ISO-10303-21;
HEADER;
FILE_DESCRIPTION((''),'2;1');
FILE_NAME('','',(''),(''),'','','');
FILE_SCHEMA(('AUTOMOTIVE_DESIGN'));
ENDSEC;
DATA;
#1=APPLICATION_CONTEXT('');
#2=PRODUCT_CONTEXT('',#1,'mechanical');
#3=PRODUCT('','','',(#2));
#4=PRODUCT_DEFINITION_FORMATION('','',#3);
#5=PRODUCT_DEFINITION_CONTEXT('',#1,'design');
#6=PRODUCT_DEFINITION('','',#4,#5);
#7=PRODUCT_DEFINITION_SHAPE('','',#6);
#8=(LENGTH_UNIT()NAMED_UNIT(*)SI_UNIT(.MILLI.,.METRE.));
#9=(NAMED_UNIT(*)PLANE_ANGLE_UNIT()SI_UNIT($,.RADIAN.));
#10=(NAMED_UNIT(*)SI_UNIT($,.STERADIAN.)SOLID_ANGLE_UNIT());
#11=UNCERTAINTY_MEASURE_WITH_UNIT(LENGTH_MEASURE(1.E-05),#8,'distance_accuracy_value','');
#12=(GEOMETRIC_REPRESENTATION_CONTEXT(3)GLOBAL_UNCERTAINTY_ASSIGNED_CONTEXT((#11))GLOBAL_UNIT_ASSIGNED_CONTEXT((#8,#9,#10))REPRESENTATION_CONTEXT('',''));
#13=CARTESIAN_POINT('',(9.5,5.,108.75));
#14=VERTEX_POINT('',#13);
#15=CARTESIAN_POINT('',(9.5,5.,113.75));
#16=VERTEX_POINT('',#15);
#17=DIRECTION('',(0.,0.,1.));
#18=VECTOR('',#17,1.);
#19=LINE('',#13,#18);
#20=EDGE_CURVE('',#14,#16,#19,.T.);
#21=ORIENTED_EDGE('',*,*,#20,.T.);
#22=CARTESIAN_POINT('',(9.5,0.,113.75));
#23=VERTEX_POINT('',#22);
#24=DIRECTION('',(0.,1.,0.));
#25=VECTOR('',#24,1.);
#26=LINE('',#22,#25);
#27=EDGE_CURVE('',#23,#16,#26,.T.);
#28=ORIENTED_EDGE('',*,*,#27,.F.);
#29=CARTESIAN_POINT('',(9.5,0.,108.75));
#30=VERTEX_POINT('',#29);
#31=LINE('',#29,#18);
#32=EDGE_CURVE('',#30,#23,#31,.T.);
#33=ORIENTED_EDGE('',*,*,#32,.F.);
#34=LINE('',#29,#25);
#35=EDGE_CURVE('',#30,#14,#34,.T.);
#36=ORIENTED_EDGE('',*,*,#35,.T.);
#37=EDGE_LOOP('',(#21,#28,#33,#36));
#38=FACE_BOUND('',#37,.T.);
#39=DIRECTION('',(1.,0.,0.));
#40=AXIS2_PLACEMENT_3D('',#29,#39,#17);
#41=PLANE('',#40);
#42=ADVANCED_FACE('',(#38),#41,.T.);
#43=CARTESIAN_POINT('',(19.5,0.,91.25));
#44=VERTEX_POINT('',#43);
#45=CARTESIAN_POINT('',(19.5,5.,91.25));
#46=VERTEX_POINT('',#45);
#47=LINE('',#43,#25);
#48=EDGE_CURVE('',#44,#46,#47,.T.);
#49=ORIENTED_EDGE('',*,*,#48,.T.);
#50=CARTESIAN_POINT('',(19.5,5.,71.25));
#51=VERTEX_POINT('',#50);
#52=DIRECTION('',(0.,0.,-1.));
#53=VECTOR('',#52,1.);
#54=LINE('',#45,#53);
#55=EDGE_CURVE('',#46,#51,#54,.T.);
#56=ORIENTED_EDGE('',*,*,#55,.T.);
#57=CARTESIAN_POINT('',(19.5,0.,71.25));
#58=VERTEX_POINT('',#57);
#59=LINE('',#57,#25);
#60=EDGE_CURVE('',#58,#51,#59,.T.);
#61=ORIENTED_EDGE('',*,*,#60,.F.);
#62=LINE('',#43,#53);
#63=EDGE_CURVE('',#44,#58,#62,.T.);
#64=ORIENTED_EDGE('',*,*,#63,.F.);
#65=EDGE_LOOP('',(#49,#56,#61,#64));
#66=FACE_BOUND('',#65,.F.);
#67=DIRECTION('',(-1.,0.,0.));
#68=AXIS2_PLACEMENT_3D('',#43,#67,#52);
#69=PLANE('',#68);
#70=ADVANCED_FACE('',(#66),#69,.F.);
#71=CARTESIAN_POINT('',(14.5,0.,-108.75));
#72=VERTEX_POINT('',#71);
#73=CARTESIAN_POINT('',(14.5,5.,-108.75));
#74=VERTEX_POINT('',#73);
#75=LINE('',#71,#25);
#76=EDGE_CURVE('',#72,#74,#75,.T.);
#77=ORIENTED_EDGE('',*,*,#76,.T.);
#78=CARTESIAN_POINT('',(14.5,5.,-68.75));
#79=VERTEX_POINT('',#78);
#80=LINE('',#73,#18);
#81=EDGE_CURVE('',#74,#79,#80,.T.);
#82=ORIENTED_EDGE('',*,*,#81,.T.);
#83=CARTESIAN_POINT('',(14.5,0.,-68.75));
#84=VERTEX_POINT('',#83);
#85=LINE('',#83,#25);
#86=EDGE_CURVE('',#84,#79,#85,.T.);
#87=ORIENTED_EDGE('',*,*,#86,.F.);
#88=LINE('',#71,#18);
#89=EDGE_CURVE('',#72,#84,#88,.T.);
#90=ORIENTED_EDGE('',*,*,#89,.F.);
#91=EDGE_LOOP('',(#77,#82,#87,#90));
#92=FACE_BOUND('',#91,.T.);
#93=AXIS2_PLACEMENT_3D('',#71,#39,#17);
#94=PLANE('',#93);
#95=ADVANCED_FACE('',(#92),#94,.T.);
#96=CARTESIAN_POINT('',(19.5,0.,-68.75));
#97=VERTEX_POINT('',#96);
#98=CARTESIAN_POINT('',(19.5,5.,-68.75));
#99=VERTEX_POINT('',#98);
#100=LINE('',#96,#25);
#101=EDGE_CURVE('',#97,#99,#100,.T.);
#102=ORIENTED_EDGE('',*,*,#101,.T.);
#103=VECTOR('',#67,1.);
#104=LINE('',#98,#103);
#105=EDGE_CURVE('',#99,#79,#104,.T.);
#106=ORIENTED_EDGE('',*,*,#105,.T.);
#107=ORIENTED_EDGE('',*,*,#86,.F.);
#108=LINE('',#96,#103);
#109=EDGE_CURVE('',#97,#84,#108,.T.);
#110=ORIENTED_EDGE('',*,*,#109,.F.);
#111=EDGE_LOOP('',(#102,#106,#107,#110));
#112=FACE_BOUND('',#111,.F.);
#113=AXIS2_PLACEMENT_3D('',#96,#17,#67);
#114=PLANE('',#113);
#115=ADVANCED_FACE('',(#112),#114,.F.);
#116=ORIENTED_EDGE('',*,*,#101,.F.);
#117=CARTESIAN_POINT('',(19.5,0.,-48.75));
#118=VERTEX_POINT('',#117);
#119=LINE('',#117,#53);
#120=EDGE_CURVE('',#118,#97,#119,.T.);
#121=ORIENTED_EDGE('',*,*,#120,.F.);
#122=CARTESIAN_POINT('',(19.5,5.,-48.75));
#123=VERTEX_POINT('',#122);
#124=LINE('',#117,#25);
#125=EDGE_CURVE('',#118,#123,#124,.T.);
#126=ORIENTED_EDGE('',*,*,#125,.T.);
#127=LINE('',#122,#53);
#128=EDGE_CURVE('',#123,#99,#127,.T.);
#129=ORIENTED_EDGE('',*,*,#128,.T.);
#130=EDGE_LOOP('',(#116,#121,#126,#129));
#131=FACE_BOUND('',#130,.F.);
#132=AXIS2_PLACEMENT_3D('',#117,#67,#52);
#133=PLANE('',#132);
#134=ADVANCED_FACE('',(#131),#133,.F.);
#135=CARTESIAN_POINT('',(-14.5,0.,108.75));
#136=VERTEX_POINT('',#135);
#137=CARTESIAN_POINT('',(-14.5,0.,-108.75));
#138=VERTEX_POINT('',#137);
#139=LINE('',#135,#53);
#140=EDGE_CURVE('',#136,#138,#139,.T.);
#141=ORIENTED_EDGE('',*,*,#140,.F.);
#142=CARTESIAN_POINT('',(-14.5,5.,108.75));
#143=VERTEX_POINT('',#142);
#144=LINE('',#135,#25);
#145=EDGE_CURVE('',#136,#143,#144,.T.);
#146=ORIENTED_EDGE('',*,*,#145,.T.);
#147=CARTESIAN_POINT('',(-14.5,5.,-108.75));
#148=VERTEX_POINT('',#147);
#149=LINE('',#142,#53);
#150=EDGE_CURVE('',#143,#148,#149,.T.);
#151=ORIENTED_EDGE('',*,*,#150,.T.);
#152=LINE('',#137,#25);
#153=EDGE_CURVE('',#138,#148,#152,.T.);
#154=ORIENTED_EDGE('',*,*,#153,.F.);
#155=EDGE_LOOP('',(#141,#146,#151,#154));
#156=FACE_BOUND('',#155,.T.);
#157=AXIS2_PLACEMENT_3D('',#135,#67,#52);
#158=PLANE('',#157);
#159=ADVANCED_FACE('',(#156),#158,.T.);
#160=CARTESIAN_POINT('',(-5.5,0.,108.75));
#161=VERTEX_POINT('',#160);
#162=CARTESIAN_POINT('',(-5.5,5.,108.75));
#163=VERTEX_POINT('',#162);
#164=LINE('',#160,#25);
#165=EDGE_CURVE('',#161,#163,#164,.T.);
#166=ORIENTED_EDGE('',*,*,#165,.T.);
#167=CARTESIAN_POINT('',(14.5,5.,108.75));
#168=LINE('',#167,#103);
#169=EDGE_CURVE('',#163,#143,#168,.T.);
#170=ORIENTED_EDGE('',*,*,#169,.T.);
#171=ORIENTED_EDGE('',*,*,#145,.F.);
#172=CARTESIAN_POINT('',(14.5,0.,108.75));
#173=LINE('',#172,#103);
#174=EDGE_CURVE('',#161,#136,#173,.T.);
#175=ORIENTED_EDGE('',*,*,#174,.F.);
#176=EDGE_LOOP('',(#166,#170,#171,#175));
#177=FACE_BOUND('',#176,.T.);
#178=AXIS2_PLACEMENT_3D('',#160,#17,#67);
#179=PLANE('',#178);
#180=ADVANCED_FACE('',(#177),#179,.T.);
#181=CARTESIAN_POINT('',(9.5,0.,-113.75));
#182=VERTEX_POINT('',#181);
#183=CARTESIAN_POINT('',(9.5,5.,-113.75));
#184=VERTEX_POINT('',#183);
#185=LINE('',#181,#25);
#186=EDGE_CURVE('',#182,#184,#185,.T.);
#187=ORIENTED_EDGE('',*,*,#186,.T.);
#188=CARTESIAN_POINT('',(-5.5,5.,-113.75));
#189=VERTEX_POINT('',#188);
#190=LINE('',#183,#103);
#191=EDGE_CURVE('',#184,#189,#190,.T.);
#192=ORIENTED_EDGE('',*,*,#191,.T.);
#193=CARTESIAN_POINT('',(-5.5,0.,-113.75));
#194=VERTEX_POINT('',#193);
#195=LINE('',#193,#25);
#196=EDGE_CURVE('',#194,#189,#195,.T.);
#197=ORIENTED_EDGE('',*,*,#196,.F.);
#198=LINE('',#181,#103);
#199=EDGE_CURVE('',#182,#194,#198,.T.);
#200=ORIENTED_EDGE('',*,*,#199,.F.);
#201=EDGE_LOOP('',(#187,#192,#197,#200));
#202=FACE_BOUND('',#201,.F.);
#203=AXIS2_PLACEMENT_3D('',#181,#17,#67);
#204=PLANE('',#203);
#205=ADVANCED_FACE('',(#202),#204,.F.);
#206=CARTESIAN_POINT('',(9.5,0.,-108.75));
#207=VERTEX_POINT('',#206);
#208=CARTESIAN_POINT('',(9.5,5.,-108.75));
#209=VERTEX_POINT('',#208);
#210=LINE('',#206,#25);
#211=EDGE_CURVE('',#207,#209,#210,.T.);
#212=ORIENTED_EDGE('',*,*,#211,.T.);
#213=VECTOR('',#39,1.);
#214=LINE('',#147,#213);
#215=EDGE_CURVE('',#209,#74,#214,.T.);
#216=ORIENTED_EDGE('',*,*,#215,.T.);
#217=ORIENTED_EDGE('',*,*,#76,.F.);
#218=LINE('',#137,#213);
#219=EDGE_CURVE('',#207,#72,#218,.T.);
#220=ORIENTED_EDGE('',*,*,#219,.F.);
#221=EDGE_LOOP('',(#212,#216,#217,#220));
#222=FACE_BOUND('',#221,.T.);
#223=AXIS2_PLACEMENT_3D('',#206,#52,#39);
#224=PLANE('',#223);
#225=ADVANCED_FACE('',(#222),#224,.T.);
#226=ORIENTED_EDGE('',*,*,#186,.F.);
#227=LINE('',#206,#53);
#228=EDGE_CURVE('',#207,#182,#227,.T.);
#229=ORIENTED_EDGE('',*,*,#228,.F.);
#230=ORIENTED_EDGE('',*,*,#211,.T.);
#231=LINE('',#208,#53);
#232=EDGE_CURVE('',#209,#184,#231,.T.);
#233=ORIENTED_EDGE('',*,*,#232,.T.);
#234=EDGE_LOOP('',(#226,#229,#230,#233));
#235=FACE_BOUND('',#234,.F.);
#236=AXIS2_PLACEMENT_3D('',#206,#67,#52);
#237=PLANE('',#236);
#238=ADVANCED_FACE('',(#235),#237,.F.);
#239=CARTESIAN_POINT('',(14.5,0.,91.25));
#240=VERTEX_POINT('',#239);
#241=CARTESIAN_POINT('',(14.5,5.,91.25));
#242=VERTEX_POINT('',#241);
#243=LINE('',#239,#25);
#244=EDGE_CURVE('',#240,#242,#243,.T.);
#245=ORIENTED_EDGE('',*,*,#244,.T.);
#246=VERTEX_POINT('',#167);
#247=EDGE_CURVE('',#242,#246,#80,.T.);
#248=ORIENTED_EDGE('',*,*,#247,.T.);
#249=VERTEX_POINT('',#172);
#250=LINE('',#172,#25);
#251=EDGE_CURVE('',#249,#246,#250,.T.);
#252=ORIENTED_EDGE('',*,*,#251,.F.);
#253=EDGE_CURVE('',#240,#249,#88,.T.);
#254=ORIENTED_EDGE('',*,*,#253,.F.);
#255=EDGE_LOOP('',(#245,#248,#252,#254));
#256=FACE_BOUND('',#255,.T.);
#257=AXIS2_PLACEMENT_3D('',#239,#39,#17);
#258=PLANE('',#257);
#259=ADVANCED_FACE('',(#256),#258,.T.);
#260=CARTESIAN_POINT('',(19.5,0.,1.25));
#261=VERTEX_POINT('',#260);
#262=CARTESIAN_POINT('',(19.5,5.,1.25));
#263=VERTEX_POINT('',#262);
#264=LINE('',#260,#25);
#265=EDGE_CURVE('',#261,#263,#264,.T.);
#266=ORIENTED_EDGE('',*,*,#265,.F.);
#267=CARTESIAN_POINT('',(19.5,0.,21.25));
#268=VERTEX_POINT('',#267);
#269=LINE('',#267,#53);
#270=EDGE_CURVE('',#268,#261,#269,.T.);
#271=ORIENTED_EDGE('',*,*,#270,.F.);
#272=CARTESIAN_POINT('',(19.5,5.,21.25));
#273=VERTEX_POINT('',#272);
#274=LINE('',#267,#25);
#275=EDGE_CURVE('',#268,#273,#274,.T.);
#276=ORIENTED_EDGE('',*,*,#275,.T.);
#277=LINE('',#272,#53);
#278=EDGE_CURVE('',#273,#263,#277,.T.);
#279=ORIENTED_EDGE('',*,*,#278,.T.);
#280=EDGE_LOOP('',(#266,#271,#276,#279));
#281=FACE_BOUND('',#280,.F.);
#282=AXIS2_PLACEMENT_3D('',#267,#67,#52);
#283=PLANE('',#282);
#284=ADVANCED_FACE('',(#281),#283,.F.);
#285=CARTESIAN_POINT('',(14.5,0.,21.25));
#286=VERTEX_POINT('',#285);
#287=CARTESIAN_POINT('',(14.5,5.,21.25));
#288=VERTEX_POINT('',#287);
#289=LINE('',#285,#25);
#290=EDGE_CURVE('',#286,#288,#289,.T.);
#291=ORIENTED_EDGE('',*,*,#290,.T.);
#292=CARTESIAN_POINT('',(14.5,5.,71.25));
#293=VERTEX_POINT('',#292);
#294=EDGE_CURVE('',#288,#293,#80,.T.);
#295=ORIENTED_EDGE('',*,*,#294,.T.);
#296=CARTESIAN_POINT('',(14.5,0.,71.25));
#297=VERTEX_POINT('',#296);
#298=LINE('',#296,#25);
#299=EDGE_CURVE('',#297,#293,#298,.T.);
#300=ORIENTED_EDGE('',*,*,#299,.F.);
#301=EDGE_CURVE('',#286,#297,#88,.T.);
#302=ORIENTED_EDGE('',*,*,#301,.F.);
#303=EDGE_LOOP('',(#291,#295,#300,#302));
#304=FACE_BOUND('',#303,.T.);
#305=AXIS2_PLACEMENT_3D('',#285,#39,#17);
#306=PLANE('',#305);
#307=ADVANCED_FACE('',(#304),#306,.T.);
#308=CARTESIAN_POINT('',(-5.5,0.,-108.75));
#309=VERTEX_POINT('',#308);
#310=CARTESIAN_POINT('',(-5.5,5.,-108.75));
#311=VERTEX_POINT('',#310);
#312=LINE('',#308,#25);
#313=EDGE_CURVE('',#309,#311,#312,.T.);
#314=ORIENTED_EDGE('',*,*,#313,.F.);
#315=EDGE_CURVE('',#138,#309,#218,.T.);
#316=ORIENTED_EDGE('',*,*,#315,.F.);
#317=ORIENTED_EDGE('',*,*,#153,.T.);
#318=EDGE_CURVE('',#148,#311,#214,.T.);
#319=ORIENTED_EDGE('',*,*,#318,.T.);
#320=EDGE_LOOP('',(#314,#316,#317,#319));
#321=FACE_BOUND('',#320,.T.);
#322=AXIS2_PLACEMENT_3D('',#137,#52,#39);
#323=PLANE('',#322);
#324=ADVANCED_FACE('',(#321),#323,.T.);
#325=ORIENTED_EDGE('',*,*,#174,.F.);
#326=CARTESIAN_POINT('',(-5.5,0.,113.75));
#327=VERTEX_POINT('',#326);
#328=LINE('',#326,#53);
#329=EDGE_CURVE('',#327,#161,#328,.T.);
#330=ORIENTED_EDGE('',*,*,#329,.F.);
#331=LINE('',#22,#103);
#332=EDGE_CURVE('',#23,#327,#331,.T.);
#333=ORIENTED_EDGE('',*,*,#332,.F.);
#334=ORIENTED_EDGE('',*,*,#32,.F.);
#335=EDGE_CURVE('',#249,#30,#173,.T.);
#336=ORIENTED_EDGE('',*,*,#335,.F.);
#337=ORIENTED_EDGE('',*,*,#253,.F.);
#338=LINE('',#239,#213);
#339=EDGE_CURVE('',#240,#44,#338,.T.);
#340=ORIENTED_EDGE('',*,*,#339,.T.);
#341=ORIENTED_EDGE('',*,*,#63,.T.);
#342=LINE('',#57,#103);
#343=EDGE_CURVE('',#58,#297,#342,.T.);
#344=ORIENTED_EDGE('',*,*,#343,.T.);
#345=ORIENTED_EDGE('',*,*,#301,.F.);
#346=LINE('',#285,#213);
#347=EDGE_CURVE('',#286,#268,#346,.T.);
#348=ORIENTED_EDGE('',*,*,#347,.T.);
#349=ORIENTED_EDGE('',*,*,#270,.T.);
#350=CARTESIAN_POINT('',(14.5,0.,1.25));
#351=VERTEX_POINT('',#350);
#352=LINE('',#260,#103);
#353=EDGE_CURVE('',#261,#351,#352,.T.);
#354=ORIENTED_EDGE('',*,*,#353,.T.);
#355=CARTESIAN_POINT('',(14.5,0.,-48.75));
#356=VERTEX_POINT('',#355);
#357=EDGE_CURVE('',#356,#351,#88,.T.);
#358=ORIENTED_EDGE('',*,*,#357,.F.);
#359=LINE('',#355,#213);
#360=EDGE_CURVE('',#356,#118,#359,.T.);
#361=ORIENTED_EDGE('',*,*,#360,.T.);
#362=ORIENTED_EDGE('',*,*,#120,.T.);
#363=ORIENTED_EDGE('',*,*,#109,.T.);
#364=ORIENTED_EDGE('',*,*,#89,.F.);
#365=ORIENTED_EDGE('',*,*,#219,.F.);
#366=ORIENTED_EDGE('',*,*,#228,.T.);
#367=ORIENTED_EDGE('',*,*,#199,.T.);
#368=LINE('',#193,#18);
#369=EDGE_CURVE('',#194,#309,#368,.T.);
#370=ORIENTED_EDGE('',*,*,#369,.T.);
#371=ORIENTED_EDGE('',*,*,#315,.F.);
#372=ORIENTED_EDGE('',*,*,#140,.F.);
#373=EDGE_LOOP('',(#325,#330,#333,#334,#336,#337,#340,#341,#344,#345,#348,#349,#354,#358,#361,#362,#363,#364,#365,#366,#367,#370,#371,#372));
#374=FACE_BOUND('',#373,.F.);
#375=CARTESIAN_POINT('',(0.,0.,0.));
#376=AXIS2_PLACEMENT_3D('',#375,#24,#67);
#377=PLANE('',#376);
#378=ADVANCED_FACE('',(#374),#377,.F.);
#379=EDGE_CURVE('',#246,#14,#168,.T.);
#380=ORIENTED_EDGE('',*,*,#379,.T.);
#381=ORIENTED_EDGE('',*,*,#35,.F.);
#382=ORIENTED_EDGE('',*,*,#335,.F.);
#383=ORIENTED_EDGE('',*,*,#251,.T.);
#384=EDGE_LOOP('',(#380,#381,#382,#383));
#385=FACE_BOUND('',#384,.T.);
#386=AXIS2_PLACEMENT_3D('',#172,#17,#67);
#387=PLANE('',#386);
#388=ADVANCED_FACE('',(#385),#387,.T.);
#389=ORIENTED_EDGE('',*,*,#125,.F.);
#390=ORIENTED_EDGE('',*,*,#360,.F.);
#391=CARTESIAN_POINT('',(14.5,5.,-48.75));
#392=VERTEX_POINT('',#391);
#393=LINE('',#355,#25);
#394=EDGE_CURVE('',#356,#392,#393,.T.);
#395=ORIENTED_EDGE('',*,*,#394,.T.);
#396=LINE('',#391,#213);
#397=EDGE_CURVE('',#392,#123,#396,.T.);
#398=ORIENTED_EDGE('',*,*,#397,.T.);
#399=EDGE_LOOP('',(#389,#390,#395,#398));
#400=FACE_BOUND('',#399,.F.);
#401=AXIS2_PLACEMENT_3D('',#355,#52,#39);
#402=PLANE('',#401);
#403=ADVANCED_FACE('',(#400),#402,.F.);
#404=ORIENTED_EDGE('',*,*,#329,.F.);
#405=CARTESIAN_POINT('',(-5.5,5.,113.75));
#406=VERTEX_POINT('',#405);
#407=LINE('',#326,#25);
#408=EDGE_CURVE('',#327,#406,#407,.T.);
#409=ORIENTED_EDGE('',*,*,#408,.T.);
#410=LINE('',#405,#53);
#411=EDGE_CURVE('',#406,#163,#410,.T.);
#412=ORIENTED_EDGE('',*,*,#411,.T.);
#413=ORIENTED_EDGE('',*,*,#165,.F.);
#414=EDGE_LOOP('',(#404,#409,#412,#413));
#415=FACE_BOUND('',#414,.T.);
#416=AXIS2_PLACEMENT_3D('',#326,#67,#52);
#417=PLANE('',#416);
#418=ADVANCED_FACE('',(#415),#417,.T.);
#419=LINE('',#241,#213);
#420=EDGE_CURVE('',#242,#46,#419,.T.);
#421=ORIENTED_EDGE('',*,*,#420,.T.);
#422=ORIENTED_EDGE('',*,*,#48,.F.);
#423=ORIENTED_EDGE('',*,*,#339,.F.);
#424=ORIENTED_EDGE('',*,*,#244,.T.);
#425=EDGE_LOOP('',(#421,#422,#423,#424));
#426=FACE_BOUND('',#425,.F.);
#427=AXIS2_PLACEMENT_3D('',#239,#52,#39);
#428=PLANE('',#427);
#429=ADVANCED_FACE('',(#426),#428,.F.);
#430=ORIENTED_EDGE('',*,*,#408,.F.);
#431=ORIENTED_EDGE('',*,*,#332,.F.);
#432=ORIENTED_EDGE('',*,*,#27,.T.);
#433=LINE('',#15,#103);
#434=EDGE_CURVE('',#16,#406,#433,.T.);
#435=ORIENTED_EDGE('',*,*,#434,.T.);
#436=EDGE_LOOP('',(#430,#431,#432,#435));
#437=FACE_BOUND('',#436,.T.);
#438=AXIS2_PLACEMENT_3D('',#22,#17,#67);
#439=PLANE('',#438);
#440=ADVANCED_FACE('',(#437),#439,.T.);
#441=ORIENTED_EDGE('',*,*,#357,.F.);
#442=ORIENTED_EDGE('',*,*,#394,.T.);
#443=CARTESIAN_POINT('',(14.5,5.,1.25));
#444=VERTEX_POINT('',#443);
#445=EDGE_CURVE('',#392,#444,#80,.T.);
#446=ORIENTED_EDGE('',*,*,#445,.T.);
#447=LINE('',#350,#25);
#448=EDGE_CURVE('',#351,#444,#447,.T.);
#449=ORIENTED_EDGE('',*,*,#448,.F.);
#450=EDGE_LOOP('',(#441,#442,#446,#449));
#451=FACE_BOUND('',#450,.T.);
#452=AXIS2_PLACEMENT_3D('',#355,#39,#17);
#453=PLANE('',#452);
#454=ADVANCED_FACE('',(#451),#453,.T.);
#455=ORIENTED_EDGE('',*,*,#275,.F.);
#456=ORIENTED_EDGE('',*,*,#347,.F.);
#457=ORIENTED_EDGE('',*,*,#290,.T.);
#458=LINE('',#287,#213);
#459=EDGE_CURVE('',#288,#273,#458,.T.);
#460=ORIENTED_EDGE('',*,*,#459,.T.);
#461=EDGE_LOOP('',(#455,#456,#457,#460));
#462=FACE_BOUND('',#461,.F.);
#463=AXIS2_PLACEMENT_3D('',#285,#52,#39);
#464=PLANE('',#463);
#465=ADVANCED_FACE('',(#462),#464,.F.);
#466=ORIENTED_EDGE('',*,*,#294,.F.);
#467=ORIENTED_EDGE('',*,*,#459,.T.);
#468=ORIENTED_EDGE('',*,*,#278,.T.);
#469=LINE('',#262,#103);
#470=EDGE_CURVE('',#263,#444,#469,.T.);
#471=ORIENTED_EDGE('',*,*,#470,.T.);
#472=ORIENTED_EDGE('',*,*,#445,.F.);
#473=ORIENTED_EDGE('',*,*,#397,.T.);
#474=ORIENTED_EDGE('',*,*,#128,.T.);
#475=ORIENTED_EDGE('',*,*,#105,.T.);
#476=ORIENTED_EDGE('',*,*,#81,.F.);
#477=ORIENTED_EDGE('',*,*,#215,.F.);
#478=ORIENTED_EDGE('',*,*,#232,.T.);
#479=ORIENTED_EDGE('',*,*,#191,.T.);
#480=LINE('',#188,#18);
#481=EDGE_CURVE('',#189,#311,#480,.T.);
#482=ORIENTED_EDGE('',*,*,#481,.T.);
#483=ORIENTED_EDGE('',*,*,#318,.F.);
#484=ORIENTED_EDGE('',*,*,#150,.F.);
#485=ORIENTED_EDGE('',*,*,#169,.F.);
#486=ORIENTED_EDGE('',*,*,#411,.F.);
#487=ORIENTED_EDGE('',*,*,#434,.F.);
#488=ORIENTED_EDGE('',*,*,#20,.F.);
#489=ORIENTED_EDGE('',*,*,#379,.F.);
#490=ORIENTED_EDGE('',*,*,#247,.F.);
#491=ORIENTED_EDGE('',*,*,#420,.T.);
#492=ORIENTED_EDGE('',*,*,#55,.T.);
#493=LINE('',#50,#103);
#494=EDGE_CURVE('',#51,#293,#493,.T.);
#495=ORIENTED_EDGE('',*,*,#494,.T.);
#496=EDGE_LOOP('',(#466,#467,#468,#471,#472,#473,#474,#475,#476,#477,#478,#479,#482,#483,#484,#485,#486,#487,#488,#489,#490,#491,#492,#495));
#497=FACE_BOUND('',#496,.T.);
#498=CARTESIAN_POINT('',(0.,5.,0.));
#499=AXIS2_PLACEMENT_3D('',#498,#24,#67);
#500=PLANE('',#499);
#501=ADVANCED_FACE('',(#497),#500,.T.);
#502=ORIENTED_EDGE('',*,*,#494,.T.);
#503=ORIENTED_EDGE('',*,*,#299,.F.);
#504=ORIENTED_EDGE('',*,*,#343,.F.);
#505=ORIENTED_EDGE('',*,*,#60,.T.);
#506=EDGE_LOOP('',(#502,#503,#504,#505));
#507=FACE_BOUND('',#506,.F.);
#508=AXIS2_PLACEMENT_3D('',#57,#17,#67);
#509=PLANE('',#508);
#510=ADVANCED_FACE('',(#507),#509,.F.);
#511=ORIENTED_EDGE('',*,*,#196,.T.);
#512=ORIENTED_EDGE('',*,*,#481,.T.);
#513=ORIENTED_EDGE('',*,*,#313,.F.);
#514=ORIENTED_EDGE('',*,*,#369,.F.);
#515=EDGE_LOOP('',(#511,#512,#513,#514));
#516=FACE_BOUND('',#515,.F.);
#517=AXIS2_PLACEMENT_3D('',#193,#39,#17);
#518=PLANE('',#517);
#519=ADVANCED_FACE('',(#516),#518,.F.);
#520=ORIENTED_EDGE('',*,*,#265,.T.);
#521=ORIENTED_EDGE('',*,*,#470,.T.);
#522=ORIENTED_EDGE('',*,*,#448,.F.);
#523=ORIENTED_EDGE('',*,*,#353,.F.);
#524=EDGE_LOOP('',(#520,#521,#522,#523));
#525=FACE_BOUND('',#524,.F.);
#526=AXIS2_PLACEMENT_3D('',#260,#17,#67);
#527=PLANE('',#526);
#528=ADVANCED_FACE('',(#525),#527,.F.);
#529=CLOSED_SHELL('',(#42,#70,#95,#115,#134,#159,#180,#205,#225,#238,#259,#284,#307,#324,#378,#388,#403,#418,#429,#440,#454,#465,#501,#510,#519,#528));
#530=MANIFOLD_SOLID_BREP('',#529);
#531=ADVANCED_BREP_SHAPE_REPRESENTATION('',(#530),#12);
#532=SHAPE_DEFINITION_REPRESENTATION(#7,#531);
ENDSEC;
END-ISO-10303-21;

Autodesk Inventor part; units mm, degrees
ref_plane "YZ Plane" through (0, 0, 0) normal (1, 0, 0) x (0, 1, 0)
ref_plane "XZ Plane" through (0, 0, 0) normal (0, 1, 0) x (-1, 0, 0)
ref_plane "XY Plane" through (0, 0, 0) normal (0, 0, 1) x (1, 0, 0)
sketch "Sketch1" plane through (0, 0, 0) normal (0, 1, 0) x (-1, 0, 0)
  line L0 (-14.5, 108.75) -> (14.5, 108.75)
  line L1 (14.5, 108.75) -> (14.5, -108.75)
  line L2 (14.5, -108.75) -> (-14.5, -108.75)
  line L3 (-14.5, -108.75) -> (-14.5, 108.75)
  line L4 (-14.5, 108.75) -> (14.5, -108.75) construction
  line L5 (14.5, 108.75) -> (-14.5, -108.75) construction
  line L6 (-14.5, 91.25) -> (-19.5, 91.25)
  line L7 (-19.5, 91.25) -> (-19.5, 71.25)
  line L8 (-19.5, 71.25) -> (-14.5, 71.25)
  line L9 (-14.5, 71.25) -> (-14.5, 91.25)
  line L10 (-14.5, 21.25) -> (-19.5, 21.25)
  line L11 (-19.5, 21.25) -> (-19.5, 1.25)
  line L12 (-19.5, 1.25) -> (-14.5, 1.25)
  line L13 (-14.5, 1.25) -> (-14.5, 21.25)
  line L14 (-14.5, -48.75) -> (-19.5, -48.75)
  line L15 (-19.5, -48.75) -> (-19.5, -68.75)
  line L16 (-19.5, -68.75) -> (-14.5, -68.75)
  line L17 (-14.5, -68.75) -> (-14.5, -48.75)
  line L18 (5.5, 108.75) -> (-9.5, 108.75)
  line L19 (-9.5, 108.75) -> (-9.5, 113.75)
  line L20 (-9.5, 113.75) -> (5.5, 113.75)
  line L21 (5.5, 113.75) -> (5.5, 108.75)
  line L22 (5.5, -108.75) -> (-9.5, -108.75)
  line L23 (-9.5, -108.75) -> (-9.5, -113.75)
  line L24 (-9.5, -113.75) -> (5.5, -113.75)
  line L25 (5.5, -113.75) -> (5.5, -108.75)
  point P0 (0, 0)
  point P1 (-14.5, 71.25)
  point P2 (-14.5, 1.25)
  point P3 (-14.5, -68.75)
  dimension "d0" = 29
  dimension "d2" = 5
  dimension "d3" = 20
  dimension "d4" = 20
  dimension "d5" = 20
  dimension "d6" = 50
  dimension "d7" = 50
  dimension "d8" = 17.5
  dimension "d10" = 15
  dimension "d11" = 9
  dimension "d14" = 5
  dimension "d15" = 40
  dimension "d16" = 15
  dimension "d17" = 5
  dimension "d18" = 9
extrude "Extrusion1" add sketch "Sketch1" along normal blind 5
equation "\"BendRadius\" = Thickness"
equation "\"BendReliefWidth\" = Thickness"
equation "\"BendReliefDepth\" = 0.5 * Thickness"
equation "\"CornerReliefSize\" = 4 * Thickness"
equation "\"MinimumRemnant\" = 2 * Thickness"
equation "\"TransitionRadius\" = BendRadius"
equation "\"JacobiRadiusSize\" = BendRadius"
equation "\"GapSize\" = Thickness"
equation "\"Thickness\" = 3.048"
properties part number "Manija1"
